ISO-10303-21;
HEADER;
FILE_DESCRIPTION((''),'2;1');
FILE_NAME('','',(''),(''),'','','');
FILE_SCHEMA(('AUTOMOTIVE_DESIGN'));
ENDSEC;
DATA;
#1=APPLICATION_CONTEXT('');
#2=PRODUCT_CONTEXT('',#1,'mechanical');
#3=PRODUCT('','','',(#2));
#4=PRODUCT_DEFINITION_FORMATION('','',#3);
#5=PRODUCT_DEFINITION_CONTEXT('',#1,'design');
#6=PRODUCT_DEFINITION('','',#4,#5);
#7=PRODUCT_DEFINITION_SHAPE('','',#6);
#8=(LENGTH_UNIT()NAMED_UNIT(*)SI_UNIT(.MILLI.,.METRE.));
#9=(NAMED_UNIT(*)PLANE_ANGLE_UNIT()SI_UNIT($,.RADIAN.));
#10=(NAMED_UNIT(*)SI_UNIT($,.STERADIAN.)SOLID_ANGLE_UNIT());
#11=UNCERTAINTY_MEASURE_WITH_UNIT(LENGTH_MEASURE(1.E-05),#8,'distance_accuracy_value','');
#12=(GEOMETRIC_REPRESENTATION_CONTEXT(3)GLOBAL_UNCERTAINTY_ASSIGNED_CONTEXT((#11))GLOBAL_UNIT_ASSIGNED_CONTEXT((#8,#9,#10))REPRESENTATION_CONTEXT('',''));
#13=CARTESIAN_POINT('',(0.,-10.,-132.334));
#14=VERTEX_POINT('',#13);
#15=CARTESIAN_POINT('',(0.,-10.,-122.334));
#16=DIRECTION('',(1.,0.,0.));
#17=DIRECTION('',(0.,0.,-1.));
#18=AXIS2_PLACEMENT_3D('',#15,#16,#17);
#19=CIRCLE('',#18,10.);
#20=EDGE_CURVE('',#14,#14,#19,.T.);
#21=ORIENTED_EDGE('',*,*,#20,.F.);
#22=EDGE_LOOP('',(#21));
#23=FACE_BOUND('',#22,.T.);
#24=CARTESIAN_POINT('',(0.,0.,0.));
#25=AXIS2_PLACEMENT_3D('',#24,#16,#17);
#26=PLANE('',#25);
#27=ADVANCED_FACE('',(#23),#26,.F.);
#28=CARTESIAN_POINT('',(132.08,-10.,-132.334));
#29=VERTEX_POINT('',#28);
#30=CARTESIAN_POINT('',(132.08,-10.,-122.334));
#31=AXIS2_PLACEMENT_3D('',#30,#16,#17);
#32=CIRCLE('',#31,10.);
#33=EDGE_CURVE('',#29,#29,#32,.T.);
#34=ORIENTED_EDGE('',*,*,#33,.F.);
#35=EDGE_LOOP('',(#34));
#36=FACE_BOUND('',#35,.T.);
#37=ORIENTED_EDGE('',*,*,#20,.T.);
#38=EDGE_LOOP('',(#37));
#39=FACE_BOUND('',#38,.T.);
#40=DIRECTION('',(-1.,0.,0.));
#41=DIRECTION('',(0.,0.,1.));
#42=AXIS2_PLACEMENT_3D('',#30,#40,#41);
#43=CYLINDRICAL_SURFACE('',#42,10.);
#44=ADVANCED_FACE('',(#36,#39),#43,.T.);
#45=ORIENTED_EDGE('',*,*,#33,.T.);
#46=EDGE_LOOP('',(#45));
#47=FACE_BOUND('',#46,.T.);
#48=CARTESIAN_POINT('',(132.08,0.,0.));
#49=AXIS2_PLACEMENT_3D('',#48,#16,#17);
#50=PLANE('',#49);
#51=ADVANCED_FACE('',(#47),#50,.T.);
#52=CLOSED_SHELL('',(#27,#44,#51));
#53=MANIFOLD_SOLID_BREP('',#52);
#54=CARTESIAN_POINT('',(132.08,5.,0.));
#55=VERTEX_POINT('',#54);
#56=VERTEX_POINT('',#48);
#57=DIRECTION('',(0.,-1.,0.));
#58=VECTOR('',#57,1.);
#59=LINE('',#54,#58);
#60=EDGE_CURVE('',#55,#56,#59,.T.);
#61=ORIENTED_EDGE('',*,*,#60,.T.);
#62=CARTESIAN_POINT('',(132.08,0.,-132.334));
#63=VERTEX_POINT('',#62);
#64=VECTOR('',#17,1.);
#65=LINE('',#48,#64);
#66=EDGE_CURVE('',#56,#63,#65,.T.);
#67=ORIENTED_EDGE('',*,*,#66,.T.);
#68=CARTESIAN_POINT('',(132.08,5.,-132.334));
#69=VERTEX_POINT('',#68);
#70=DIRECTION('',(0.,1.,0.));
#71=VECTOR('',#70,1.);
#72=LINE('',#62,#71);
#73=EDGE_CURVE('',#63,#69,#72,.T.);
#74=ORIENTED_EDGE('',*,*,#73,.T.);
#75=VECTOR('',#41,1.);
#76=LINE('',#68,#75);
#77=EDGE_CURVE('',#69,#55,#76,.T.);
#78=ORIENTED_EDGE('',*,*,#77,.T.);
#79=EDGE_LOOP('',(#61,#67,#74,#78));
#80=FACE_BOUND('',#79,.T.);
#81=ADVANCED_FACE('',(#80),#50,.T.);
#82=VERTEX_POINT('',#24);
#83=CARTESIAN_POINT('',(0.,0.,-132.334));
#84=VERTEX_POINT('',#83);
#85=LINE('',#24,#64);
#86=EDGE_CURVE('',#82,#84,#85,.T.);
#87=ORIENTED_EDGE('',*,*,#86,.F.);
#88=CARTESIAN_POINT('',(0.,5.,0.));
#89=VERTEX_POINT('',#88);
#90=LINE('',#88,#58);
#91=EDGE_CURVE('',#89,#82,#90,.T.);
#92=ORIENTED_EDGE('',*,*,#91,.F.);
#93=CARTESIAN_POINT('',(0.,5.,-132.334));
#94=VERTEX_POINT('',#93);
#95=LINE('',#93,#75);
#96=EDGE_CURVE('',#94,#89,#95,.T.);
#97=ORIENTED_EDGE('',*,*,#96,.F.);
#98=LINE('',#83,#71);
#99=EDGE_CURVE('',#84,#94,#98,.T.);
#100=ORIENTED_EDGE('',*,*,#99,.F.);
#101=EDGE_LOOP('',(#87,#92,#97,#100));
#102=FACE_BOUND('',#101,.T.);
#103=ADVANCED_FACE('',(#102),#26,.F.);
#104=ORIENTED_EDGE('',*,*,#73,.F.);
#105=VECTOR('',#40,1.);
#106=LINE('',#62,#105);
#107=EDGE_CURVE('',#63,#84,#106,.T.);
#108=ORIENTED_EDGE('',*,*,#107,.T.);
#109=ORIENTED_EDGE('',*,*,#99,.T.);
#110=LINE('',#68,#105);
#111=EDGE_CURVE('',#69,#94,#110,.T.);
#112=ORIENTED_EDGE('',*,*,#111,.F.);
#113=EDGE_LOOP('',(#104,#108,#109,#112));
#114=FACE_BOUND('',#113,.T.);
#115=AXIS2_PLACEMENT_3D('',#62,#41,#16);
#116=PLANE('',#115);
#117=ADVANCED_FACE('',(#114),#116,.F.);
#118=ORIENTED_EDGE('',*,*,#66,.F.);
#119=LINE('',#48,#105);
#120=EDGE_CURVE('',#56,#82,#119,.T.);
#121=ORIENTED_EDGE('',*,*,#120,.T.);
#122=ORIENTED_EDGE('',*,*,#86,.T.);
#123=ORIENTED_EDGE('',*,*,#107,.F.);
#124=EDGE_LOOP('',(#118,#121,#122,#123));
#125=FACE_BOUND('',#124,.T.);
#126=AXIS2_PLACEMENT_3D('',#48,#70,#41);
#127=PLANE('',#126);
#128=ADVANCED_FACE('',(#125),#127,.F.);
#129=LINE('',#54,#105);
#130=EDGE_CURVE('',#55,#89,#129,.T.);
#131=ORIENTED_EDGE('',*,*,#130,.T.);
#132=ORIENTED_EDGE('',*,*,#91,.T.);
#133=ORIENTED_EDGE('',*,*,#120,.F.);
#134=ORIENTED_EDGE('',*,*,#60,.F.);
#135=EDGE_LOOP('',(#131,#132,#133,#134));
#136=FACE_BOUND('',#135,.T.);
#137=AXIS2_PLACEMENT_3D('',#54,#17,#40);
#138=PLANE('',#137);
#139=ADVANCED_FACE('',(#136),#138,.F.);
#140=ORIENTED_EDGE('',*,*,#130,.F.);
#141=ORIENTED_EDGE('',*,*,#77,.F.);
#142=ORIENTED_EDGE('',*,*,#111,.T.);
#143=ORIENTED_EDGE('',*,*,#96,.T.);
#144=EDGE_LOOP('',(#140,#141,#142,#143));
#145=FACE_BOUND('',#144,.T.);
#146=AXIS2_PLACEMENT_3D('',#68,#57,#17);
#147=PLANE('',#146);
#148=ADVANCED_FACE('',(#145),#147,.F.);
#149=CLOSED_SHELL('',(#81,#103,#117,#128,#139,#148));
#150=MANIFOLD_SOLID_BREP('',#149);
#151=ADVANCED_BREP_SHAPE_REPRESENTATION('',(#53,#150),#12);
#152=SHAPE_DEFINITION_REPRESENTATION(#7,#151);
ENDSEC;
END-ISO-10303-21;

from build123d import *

# Parameters (mm, degrees)
SKIZZE1_R                         = 10
AUFSATZ_LINEAR_AUSTRAGEN1_DEPTH   = 132.08
SKIZZE1_W                         = 132.334
SKIZZE1_H                         = 5
AUFSATZ_LINEAR_AUSTRAGEN1_2_DEPTH = 132.08


with BuildPart() as part:
    # Skizze1 → Aufsatz-Linear austragen1 (new body)
    with BuildSketch(Plane(origin=(0, 0, 0), x_dir=(0, 0, -1), z_dir=(1, 0, 0))):
        with Locations((122.334, -10)):
            Circle(SKIZZE1_R)
    extrude(amount=AUFSATZ_LINEAR_AUSTRAGEN1_DEPTH)


with BuildPart() as body_2:
    # Skizze1 → Aufsatz-Linear austragen1 2 (new body)
    with BuildSketch(Plane(origin=(0, 0, 0), x_dir=(0, 0, -1), z_dir=(1, 0, 0))):
        with Locations((66.167, 2.5)):
            Rectangle(SKIZZE1_W, SKIZZE1_H)
    extrude(amount=AUFSATZ_LINEAR_AUSTRAGEN1_2_DEPTH)


solid = Compound([part.part, body_2.part])
